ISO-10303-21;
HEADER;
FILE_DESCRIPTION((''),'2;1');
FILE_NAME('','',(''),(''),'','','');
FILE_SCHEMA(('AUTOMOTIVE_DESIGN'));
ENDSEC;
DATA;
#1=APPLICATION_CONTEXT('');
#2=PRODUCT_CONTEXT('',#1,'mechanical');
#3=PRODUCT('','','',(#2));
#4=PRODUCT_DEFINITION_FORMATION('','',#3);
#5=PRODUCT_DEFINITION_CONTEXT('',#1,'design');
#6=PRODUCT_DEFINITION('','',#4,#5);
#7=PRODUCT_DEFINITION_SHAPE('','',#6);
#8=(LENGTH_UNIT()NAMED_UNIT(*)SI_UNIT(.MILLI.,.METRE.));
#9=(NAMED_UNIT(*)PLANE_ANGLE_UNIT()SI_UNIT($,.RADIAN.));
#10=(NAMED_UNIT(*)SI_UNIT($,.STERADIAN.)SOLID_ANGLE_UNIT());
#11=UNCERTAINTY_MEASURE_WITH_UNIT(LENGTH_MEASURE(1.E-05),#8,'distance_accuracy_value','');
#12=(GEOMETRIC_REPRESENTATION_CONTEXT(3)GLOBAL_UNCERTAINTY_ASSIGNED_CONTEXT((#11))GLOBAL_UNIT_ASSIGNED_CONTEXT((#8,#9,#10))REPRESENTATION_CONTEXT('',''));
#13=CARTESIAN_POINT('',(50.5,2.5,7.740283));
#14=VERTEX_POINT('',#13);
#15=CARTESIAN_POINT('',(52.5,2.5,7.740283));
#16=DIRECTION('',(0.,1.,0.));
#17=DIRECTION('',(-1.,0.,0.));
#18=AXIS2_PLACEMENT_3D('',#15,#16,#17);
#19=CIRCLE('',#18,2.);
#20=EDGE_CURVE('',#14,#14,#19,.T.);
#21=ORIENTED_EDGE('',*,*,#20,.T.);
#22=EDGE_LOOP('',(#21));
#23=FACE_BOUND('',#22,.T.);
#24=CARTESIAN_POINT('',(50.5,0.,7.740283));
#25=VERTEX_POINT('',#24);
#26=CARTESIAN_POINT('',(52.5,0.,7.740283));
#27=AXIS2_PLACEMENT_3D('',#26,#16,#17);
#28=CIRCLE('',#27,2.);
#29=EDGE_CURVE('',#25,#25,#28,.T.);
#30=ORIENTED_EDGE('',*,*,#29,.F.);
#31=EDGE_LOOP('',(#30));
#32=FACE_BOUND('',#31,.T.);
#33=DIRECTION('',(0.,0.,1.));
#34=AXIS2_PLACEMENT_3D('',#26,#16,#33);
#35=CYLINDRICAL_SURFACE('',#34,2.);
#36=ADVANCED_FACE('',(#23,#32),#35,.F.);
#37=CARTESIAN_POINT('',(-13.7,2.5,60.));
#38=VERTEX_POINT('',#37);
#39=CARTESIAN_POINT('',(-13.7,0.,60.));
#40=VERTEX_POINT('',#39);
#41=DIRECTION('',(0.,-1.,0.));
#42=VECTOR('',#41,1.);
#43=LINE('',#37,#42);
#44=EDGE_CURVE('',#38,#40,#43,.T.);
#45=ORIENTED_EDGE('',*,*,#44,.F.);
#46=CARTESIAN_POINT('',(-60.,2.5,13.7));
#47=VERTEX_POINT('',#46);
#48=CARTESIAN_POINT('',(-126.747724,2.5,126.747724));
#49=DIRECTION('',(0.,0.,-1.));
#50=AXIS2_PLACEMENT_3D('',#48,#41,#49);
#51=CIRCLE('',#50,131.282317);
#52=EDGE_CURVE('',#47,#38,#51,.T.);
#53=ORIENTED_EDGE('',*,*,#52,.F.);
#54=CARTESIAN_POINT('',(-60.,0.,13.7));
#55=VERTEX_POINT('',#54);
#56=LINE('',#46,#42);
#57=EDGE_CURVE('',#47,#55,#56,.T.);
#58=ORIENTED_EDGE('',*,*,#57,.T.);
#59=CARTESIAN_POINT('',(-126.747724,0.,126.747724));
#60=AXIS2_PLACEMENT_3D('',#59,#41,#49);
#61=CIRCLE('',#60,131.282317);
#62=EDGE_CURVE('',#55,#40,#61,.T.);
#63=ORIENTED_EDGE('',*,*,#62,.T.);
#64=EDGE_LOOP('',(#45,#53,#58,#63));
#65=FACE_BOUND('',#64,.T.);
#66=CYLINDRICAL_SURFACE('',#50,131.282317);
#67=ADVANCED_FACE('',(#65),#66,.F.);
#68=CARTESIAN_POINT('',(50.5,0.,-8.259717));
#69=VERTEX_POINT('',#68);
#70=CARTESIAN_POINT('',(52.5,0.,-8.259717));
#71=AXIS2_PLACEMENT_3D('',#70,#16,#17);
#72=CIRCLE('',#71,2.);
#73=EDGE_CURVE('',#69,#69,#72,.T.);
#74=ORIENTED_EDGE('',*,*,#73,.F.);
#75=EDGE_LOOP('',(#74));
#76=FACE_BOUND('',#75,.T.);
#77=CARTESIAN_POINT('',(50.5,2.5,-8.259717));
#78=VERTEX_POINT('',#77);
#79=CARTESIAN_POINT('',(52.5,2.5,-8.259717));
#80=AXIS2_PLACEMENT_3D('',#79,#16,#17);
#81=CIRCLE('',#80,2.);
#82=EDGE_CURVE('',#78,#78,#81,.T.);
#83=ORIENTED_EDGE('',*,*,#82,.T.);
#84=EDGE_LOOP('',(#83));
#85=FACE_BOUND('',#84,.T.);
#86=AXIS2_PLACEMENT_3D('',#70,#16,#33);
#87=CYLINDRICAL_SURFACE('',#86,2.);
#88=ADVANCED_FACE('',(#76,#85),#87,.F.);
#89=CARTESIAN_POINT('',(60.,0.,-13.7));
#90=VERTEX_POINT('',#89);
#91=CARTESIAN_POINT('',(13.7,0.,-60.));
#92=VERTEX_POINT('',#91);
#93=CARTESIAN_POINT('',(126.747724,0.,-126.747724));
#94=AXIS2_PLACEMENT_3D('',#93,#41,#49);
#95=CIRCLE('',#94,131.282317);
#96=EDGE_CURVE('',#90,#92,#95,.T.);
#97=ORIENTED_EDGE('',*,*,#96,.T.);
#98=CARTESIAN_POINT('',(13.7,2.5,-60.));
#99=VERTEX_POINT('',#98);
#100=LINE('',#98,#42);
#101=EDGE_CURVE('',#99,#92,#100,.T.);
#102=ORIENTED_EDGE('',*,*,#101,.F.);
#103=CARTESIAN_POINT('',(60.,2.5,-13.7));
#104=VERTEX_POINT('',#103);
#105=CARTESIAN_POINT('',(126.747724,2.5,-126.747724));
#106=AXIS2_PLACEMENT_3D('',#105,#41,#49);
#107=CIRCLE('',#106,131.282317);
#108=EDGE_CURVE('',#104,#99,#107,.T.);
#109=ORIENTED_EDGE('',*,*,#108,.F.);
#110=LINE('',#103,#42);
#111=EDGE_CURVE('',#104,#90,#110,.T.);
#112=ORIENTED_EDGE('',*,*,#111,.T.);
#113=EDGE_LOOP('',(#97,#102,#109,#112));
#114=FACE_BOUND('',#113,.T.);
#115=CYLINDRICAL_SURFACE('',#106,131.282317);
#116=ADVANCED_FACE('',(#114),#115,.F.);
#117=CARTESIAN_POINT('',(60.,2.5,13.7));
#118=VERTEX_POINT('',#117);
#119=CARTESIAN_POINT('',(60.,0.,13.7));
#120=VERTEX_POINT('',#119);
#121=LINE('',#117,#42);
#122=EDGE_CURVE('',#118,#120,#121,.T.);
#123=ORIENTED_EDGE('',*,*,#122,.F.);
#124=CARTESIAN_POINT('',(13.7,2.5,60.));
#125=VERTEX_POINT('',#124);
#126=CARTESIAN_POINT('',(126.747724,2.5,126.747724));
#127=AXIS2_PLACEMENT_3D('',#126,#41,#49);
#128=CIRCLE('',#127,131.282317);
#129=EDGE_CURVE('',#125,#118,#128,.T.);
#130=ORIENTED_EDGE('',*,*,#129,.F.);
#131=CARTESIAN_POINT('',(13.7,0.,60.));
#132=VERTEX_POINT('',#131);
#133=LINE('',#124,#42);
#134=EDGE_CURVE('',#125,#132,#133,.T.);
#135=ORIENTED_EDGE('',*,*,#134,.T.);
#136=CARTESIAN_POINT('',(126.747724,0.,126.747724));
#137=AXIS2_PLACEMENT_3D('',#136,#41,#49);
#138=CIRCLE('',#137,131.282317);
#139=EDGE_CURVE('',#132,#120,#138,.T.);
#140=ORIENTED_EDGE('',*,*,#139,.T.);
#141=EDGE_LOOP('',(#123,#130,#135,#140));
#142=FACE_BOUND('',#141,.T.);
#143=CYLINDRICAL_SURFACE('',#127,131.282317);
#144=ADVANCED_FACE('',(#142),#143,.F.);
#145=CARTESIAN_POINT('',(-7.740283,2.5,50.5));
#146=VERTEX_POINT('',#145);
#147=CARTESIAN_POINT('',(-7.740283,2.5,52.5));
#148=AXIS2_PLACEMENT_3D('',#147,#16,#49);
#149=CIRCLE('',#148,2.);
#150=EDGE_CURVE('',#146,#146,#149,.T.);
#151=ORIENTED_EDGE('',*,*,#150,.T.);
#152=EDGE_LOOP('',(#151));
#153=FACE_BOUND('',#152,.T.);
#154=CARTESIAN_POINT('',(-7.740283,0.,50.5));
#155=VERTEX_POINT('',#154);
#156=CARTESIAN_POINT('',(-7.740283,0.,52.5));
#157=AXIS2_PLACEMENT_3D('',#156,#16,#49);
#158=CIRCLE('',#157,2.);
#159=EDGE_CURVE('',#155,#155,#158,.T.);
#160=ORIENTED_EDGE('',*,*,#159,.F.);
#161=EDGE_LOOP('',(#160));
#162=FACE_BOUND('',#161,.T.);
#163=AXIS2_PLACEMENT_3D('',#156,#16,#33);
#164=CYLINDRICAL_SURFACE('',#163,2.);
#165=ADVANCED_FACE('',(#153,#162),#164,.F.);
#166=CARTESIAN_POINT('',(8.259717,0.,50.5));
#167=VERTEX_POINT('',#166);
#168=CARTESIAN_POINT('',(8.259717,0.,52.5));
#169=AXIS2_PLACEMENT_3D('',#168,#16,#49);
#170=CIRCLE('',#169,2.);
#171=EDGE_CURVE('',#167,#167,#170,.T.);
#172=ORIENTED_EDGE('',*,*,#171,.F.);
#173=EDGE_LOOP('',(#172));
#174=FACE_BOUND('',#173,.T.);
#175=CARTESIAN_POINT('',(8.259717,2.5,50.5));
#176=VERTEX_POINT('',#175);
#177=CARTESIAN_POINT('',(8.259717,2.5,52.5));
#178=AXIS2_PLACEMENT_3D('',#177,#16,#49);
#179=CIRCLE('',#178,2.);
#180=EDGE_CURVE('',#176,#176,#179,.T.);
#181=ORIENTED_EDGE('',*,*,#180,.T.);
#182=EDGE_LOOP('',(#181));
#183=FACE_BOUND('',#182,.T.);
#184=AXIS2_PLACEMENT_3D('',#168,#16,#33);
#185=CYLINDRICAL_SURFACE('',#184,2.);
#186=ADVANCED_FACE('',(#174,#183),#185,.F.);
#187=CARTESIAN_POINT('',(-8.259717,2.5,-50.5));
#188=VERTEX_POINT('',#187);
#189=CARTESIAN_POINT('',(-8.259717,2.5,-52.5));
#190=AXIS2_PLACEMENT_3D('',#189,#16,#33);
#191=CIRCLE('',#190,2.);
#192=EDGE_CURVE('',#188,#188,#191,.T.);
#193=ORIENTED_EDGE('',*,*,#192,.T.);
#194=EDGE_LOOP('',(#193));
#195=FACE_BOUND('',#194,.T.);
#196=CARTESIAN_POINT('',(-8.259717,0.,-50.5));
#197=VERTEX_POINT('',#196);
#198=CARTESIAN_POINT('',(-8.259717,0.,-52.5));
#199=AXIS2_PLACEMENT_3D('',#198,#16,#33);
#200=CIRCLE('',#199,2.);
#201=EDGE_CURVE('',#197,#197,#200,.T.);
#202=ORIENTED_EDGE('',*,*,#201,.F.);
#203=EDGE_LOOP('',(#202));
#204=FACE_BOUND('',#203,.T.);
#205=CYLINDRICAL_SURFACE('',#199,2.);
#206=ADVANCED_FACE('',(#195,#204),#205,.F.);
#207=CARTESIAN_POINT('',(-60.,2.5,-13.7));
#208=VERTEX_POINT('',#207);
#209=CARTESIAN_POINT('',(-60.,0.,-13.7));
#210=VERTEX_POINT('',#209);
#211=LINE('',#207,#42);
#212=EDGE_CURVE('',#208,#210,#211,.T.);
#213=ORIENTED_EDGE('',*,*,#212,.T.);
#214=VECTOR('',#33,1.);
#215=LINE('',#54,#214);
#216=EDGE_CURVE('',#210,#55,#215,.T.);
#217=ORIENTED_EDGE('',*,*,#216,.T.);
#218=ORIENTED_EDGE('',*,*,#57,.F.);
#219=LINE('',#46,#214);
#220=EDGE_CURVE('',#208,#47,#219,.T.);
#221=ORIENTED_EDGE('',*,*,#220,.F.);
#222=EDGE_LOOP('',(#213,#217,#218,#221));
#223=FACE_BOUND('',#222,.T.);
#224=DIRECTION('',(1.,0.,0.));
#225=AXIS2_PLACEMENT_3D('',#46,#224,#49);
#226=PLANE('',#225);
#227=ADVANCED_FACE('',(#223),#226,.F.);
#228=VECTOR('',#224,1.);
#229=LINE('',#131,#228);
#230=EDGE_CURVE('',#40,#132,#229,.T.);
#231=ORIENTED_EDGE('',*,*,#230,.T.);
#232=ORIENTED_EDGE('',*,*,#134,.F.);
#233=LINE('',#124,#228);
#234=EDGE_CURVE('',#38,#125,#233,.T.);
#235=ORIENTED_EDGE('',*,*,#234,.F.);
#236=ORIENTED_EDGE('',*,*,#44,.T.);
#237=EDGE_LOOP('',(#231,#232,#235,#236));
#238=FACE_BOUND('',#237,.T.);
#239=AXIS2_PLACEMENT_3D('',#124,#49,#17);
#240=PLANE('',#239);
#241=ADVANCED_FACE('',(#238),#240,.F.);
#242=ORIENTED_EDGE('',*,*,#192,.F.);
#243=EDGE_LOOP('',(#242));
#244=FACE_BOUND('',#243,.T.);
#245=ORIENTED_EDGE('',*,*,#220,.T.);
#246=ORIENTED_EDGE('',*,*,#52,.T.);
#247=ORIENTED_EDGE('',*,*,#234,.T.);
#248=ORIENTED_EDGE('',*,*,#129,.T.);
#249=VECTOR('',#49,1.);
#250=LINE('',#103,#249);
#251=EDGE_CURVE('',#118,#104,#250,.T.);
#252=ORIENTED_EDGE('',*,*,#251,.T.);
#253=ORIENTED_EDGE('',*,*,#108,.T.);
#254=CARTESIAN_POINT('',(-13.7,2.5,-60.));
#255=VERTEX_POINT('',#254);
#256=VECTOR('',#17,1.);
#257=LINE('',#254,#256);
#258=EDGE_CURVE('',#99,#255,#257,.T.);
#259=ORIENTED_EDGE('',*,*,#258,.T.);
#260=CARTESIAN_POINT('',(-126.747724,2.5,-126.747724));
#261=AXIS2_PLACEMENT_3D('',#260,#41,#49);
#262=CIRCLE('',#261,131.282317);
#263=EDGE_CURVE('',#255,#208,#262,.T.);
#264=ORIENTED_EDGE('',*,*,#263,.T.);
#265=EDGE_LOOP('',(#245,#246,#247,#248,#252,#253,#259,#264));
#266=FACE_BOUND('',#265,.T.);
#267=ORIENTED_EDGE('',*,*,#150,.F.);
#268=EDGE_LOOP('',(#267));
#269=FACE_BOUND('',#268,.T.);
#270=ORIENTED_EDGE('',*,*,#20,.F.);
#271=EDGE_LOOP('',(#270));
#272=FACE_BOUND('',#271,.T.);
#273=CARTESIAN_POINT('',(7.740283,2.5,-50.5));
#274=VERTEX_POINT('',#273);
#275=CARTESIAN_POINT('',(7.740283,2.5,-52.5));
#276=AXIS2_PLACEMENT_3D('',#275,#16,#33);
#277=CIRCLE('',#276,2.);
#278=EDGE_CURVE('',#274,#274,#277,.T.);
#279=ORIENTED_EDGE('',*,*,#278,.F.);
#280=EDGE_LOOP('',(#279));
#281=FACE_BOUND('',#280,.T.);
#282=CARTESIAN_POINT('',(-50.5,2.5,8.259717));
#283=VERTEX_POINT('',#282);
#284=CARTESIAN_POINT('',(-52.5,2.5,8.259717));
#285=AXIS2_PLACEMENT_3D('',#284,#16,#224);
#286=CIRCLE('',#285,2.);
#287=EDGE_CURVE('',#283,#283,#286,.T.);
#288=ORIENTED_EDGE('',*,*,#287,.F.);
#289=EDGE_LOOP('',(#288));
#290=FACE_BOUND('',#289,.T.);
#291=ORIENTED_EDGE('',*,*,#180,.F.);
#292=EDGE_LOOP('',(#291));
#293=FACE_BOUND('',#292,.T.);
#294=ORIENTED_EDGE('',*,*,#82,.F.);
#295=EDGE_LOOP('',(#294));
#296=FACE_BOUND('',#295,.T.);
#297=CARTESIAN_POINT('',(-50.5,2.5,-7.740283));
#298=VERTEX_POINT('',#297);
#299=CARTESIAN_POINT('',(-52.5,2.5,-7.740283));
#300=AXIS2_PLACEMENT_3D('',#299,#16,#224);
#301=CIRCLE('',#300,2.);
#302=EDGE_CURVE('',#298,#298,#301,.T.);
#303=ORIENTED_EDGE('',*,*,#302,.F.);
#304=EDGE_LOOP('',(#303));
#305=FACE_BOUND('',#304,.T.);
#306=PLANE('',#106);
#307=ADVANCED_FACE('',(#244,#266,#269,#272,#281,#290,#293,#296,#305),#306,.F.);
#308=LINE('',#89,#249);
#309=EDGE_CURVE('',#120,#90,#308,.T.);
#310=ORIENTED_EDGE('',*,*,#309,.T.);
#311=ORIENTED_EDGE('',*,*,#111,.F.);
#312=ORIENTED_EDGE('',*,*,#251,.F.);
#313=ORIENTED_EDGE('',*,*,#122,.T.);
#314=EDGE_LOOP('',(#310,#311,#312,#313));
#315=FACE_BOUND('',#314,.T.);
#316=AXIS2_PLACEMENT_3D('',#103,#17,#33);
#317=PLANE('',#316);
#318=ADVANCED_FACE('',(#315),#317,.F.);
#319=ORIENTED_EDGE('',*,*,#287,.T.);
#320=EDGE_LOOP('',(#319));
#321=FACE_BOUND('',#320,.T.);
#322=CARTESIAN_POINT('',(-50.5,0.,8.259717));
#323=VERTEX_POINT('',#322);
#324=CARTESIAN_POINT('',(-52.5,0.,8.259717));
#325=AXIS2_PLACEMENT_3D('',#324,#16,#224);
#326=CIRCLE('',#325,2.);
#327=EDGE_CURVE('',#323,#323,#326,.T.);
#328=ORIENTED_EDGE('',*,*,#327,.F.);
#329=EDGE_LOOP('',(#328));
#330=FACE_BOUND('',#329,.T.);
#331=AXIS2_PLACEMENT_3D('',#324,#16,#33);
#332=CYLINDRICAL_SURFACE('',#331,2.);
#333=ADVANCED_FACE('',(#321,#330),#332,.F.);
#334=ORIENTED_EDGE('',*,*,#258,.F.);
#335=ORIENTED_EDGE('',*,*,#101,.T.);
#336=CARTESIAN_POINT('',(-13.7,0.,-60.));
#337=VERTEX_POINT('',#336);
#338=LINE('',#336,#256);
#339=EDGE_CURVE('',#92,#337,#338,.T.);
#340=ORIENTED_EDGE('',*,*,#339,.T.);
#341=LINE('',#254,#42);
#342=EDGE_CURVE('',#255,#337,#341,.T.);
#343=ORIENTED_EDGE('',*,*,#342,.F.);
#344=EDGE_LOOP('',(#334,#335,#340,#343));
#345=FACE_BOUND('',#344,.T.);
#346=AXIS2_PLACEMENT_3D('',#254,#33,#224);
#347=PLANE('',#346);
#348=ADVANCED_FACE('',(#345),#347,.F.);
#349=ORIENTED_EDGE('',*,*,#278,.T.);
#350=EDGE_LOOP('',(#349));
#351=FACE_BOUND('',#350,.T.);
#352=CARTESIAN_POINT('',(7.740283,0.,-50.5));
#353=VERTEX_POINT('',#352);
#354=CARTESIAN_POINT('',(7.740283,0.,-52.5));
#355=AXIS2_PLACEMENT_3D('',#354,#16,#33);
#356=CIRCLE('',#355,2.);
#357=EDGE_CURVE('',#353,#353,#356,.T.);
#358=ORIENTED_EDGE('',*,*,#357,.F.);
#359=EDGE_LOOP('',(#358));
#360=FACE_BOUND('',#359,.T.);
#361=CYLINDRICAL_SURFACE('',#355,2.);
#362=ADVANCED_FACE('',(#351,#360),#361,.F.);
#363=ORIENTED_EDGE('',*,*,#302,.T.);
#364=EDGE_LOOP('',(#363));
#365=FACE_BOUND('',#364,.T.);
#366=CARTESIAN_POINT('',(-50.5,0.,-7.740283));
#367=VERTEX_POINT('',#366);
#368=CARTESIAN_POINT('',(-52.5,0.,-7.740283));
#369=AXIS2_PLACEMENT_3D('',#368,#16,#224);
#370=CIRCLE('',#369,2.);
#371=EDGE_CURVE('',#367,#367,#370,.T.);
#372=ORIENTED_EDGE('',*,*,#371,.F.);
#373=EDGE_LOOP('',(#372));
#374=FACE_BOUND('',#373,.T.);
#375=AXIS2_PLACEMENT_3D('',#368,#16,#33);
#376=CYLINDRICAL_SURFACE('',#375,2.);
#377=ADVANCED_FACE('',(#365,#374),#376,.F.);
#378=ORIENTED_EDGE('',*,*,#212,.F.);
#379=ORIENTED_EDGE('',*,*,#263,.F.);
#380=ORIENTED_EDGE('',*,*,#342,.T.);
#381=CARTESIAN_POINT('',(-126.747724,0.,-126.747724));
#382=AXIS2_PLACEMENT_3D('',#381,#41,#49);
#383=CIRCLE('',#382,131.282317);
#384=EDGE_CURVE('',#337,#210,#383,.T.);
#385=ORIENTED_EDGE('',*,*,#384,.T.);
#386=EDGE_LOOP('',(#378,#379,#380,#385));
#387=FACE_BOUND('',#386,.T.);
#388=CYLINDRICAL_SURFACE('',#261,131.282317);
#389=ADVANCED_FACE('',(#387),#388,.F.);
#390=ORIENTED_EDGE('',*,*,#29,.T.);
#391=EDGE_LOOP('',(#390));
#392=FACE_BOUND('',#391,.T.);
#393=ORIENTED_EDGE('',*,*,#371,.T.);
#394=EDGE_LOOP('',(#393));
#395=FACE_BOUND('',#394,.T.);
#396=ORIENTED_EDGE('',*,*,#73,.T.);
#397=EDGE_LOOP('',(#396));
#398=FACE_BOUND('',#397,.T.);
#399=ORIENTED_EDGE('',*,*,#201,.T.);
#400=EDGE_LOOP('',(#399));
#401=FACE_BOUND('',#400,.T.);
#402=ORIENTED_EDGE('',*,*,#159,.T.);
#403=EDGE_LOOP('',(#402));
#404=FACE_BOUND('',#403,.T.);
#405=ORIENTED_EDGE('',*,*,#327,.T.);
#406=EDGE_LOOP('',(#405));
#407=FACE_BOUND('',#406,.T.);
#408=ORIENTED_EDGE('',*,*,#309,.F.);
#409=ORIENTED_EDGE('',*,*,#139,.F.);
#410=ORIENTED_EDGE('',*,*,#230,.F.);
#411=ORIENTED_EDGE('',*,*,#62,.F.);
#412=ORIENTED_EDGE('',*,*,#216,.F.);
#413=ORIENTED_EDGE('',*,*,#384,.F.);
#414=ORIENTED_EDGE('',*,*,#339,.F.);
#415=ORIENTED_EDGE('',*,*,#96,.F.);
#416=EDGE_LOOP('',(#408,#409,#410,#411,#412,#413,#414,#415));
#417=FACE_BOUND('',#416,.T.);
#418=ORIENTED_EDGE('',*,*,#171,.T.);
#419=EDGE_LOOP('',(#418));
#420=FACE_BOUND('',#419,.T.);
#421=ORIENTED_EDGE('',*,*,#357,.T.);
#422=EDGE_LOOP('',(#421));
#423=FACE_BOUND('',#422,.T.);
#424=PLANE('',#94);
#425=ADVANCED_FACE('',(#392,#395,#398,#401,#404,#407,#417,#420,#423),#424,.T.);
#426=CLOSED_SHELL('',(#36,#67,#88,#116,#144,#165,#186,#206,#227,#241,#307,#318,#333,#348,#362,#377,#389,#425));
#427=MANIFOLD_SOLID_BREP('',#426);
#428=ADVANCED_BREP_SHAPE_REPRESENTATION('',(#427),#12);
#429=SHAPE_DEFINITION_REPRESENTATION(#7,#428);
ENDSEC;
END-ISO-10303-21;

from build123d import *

# Parameters (mm, degrees)
BOSS_EXTRUDE1_DEPTH = 2.5
SKETCH3_R           = 2
CUT_EXTRUDE1_DEPTH  = 2.5
CIRPATTERN1_COUNT   = 4


with BuildPart() as part:
    # Sketch1 → Boss-Extrude1 (new body)
    with BuildSketch(Plane(origin=(0, 0, 0), x_dir=(1, 0, 0), z_dir=(0, 1, 0))):
        with BuildLine():
            Line((-13.7, 60), (13.7, 60))
            ThreePointArc((13.7, 60), (33.917107936, 33.917107936), (60, 13.7))
            Line((60, 13.7), (60, -13.7))
            ThreePointArc((60, -13.7), (33.917107936, -33.917107936), (13.7, -60))
            Line((13.7, -60), (-13.7, -60))
            ThreePointArc((-13.7, -60), (-33.917107936, -33.917107936), (-60, -13.7))
            Line((-60, -13.7), (-60, 13.7))
            ThreePointArc((-60, 13.7), (-33.917107936, 33.917107936), (-13.7, 60))
        make_face()
    extrude(amount=BOSS_EXTRUDE1_DEPTH)

    # Sketch3 → Cut-Extrude1 (cut)
    with BuildSketch(Plane(origin=(0, 2.5, 0), x_dir=(1, 0, 0), z_dir=(0, 1, 0))):
        with Locations((-8.259716624, 52.5)):
            Circle(SKETCH3_R)
        with Locations((7.740283376, 52.5)):
            Circle(SKETCH3_R)
    cut_extrude1 = extrude(amount=-CUT_EXTRUDE1_DEPTH, mode=Mode.SUBTRACT)

    # CirPattern1: Cut-Extrude1 ×4 about axis
    cirpattern1_axis = Axis((0, 0, 0), (0, 1, 0))
    for i in range(1, CIRPATTERN1_COUNT):
        add(cut_extrude1.rotate(cirpattern1_axis, i * 360 / CIRPATTERN1_COUNT), mode=Mode.SUBTRACT)


solid = part.part
